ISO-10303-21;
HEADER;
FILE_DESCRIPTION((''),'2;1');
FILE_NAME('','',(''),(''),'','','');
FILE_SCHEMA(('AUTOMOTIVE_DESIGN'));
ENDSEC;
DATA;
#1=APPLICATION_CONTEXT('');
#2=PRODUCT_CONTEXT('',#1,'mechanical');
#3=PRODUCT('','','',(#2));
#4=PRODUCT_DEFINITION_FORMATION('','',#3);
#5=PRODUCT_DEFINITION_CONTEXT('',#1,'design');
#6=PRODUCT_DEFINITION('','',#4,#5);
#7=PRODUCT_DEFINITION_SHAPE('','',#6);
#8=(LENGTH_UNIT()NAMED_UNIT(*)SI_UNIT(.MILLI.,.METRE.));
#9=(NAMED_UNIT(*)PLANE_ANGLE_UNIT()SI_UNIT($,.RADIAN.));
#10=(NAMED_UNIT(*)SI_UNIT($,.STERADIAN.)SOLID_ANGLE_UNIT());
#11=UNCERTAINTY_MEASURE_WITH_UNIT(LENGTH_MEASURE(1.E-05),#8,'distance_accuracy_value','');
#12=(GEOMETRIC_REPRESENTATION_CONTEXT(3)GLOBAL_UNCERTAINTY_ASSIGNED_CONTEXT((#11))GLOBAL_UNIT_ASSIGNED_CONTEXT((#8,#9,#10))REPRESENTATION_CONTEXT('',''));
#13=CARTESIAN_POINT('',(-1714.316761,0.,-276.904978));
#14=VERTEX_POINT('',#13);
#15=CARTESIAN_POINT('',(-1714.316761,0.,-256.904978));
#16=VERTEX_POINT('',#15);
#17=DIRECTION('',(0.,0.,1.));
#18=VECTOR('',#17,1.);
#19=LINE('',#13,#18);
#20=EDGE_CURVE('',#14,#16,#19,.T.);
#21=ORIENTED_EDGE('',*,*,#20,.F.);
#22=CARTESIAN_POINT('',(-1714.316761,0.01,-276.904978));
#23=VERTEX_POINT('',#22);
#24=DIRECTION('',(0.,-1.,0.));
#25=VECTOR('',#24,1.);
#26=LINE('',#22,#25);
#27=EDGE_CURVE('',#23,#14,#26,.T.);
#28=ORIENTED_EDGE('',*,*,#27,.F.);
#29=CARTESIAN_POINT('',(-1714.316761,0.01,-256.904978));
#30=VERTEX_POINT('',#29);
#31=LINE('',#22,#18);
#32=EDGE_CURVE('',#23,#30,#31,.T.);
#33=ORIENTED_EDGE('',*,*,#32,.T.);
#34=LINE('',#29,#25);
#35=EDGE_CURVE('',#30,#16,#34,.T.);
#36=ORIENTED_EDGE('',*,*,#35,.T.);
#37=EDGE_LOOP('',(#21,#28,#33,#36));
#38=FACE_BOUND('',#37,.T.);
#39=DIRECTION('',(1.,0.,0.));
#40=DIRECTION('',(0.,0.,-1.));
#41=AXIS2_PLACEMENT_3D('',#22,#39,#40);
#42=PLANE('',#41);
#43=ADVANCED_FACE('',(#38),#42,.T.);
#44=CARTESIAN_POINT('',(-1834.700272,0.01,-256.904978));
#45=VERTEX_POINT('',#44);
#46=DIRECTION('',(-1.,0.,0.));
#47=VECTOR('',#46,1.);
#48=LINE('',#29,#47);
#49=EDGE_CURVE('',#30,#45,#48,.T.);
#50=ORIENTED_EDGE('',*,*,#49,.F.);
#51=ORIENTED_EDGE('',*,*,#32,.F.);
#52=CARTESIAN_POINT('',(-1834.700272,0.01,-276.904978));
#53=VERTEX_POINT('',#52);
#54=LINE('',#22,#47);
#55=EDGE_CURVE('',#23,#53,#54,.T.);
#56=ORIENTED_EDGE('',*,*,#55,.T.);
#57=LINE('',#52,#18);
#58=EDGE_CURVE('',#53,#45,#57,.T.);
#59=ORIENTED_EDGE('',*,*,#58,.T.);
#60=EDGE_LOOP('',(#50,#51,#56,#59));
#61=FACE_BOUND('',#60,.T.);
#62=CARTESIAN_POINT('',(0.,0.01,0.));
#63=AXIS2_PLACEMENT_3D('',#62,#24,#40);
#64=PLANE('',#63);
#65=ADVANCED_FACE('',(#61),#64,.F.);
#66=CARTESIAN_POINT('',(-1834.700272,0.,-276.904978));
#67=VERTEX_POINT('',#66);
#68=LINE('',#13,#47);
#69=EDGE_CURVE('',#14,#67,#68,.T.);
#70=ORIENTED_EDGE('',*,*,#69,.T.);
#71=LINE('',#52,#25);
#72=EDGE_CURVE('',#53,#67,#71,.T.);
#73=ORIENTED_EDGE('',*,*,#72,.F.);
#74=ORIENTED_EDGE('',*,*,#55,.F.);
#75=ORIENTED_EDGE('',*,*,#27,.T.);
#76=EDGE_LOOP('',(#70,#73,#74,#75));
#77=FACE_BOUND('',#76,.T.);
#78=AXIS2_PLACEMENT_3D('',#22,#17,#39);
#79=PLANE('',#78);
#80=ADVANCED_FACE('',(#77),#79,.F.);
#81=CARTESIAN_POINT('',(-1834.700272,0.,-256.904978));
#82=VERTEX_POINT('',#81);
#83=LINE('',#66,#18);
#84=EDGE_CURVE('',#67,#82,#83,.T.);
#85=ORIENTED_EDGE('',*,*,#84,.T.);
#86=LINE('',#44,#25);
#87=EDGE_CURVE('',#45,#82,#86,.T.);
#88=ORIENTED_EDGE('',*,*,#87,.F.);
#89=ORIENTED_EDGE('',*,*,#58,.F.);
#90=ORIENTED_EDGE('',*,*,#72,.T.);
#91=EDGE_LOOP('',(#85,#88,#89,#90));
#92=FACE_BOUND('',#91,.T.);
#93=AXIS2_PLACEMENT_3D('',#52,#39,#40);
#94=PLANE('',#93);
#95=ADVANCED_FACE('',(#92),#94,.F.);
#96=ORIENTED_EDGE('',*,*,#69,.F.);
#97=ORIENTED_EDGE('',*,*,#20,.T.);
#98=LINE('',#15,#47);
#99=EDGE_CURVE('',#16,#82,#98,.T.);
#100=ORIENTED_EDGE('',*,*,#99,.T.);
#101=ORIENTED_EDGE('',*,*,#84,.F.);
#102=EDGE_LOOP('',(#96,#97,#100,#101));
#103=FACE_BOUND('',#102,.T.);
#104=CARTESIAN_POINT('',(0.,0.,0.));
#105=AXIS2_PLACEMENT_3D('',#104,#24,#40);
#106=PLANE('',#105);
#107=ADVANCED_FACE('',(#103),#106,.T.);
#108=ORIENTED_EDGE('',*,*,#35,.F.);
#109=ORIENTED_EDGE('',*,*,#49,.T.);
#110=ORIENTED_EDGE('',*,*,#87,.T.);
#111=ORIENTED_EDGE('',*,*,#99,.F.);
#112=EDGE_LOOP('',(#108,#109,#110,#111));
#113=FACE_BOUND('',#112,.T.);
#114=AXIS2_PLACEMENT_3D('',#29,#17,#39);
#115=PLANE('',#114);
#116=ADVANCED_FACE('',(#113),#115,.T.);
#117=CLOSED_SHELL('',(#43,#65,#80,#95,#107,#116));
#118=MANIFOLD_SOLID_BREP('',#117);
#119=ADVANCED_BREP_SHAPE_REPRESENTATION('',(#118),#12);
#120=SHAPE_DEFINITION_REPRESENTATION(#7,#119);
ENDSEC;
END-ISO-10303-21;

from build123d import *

# Parameters (mm, degrees)
ESBO_O1_W                 = 120.383511046
ESBO_O1_H                 = 20
RESSALTO_EXTRUS_O15_DEPTH = 0.01


with BuildPart() as part:
    # Esboço1 → Ressalto-extrusão15 (new body)
    with BuildSketch(Plane(origin=(0, 0, 0), x_dir=(1, 0, 0), z_dir=(0, 1, 0))):
        with Locations((-1774.508516518, 266.904977976)):
            Rectangle(ESBO_O1_W, ESBO_O1_H)
    extrude(amount=RESSALTO_EXTRUS_O15_DEPTH)


solid = part.part
